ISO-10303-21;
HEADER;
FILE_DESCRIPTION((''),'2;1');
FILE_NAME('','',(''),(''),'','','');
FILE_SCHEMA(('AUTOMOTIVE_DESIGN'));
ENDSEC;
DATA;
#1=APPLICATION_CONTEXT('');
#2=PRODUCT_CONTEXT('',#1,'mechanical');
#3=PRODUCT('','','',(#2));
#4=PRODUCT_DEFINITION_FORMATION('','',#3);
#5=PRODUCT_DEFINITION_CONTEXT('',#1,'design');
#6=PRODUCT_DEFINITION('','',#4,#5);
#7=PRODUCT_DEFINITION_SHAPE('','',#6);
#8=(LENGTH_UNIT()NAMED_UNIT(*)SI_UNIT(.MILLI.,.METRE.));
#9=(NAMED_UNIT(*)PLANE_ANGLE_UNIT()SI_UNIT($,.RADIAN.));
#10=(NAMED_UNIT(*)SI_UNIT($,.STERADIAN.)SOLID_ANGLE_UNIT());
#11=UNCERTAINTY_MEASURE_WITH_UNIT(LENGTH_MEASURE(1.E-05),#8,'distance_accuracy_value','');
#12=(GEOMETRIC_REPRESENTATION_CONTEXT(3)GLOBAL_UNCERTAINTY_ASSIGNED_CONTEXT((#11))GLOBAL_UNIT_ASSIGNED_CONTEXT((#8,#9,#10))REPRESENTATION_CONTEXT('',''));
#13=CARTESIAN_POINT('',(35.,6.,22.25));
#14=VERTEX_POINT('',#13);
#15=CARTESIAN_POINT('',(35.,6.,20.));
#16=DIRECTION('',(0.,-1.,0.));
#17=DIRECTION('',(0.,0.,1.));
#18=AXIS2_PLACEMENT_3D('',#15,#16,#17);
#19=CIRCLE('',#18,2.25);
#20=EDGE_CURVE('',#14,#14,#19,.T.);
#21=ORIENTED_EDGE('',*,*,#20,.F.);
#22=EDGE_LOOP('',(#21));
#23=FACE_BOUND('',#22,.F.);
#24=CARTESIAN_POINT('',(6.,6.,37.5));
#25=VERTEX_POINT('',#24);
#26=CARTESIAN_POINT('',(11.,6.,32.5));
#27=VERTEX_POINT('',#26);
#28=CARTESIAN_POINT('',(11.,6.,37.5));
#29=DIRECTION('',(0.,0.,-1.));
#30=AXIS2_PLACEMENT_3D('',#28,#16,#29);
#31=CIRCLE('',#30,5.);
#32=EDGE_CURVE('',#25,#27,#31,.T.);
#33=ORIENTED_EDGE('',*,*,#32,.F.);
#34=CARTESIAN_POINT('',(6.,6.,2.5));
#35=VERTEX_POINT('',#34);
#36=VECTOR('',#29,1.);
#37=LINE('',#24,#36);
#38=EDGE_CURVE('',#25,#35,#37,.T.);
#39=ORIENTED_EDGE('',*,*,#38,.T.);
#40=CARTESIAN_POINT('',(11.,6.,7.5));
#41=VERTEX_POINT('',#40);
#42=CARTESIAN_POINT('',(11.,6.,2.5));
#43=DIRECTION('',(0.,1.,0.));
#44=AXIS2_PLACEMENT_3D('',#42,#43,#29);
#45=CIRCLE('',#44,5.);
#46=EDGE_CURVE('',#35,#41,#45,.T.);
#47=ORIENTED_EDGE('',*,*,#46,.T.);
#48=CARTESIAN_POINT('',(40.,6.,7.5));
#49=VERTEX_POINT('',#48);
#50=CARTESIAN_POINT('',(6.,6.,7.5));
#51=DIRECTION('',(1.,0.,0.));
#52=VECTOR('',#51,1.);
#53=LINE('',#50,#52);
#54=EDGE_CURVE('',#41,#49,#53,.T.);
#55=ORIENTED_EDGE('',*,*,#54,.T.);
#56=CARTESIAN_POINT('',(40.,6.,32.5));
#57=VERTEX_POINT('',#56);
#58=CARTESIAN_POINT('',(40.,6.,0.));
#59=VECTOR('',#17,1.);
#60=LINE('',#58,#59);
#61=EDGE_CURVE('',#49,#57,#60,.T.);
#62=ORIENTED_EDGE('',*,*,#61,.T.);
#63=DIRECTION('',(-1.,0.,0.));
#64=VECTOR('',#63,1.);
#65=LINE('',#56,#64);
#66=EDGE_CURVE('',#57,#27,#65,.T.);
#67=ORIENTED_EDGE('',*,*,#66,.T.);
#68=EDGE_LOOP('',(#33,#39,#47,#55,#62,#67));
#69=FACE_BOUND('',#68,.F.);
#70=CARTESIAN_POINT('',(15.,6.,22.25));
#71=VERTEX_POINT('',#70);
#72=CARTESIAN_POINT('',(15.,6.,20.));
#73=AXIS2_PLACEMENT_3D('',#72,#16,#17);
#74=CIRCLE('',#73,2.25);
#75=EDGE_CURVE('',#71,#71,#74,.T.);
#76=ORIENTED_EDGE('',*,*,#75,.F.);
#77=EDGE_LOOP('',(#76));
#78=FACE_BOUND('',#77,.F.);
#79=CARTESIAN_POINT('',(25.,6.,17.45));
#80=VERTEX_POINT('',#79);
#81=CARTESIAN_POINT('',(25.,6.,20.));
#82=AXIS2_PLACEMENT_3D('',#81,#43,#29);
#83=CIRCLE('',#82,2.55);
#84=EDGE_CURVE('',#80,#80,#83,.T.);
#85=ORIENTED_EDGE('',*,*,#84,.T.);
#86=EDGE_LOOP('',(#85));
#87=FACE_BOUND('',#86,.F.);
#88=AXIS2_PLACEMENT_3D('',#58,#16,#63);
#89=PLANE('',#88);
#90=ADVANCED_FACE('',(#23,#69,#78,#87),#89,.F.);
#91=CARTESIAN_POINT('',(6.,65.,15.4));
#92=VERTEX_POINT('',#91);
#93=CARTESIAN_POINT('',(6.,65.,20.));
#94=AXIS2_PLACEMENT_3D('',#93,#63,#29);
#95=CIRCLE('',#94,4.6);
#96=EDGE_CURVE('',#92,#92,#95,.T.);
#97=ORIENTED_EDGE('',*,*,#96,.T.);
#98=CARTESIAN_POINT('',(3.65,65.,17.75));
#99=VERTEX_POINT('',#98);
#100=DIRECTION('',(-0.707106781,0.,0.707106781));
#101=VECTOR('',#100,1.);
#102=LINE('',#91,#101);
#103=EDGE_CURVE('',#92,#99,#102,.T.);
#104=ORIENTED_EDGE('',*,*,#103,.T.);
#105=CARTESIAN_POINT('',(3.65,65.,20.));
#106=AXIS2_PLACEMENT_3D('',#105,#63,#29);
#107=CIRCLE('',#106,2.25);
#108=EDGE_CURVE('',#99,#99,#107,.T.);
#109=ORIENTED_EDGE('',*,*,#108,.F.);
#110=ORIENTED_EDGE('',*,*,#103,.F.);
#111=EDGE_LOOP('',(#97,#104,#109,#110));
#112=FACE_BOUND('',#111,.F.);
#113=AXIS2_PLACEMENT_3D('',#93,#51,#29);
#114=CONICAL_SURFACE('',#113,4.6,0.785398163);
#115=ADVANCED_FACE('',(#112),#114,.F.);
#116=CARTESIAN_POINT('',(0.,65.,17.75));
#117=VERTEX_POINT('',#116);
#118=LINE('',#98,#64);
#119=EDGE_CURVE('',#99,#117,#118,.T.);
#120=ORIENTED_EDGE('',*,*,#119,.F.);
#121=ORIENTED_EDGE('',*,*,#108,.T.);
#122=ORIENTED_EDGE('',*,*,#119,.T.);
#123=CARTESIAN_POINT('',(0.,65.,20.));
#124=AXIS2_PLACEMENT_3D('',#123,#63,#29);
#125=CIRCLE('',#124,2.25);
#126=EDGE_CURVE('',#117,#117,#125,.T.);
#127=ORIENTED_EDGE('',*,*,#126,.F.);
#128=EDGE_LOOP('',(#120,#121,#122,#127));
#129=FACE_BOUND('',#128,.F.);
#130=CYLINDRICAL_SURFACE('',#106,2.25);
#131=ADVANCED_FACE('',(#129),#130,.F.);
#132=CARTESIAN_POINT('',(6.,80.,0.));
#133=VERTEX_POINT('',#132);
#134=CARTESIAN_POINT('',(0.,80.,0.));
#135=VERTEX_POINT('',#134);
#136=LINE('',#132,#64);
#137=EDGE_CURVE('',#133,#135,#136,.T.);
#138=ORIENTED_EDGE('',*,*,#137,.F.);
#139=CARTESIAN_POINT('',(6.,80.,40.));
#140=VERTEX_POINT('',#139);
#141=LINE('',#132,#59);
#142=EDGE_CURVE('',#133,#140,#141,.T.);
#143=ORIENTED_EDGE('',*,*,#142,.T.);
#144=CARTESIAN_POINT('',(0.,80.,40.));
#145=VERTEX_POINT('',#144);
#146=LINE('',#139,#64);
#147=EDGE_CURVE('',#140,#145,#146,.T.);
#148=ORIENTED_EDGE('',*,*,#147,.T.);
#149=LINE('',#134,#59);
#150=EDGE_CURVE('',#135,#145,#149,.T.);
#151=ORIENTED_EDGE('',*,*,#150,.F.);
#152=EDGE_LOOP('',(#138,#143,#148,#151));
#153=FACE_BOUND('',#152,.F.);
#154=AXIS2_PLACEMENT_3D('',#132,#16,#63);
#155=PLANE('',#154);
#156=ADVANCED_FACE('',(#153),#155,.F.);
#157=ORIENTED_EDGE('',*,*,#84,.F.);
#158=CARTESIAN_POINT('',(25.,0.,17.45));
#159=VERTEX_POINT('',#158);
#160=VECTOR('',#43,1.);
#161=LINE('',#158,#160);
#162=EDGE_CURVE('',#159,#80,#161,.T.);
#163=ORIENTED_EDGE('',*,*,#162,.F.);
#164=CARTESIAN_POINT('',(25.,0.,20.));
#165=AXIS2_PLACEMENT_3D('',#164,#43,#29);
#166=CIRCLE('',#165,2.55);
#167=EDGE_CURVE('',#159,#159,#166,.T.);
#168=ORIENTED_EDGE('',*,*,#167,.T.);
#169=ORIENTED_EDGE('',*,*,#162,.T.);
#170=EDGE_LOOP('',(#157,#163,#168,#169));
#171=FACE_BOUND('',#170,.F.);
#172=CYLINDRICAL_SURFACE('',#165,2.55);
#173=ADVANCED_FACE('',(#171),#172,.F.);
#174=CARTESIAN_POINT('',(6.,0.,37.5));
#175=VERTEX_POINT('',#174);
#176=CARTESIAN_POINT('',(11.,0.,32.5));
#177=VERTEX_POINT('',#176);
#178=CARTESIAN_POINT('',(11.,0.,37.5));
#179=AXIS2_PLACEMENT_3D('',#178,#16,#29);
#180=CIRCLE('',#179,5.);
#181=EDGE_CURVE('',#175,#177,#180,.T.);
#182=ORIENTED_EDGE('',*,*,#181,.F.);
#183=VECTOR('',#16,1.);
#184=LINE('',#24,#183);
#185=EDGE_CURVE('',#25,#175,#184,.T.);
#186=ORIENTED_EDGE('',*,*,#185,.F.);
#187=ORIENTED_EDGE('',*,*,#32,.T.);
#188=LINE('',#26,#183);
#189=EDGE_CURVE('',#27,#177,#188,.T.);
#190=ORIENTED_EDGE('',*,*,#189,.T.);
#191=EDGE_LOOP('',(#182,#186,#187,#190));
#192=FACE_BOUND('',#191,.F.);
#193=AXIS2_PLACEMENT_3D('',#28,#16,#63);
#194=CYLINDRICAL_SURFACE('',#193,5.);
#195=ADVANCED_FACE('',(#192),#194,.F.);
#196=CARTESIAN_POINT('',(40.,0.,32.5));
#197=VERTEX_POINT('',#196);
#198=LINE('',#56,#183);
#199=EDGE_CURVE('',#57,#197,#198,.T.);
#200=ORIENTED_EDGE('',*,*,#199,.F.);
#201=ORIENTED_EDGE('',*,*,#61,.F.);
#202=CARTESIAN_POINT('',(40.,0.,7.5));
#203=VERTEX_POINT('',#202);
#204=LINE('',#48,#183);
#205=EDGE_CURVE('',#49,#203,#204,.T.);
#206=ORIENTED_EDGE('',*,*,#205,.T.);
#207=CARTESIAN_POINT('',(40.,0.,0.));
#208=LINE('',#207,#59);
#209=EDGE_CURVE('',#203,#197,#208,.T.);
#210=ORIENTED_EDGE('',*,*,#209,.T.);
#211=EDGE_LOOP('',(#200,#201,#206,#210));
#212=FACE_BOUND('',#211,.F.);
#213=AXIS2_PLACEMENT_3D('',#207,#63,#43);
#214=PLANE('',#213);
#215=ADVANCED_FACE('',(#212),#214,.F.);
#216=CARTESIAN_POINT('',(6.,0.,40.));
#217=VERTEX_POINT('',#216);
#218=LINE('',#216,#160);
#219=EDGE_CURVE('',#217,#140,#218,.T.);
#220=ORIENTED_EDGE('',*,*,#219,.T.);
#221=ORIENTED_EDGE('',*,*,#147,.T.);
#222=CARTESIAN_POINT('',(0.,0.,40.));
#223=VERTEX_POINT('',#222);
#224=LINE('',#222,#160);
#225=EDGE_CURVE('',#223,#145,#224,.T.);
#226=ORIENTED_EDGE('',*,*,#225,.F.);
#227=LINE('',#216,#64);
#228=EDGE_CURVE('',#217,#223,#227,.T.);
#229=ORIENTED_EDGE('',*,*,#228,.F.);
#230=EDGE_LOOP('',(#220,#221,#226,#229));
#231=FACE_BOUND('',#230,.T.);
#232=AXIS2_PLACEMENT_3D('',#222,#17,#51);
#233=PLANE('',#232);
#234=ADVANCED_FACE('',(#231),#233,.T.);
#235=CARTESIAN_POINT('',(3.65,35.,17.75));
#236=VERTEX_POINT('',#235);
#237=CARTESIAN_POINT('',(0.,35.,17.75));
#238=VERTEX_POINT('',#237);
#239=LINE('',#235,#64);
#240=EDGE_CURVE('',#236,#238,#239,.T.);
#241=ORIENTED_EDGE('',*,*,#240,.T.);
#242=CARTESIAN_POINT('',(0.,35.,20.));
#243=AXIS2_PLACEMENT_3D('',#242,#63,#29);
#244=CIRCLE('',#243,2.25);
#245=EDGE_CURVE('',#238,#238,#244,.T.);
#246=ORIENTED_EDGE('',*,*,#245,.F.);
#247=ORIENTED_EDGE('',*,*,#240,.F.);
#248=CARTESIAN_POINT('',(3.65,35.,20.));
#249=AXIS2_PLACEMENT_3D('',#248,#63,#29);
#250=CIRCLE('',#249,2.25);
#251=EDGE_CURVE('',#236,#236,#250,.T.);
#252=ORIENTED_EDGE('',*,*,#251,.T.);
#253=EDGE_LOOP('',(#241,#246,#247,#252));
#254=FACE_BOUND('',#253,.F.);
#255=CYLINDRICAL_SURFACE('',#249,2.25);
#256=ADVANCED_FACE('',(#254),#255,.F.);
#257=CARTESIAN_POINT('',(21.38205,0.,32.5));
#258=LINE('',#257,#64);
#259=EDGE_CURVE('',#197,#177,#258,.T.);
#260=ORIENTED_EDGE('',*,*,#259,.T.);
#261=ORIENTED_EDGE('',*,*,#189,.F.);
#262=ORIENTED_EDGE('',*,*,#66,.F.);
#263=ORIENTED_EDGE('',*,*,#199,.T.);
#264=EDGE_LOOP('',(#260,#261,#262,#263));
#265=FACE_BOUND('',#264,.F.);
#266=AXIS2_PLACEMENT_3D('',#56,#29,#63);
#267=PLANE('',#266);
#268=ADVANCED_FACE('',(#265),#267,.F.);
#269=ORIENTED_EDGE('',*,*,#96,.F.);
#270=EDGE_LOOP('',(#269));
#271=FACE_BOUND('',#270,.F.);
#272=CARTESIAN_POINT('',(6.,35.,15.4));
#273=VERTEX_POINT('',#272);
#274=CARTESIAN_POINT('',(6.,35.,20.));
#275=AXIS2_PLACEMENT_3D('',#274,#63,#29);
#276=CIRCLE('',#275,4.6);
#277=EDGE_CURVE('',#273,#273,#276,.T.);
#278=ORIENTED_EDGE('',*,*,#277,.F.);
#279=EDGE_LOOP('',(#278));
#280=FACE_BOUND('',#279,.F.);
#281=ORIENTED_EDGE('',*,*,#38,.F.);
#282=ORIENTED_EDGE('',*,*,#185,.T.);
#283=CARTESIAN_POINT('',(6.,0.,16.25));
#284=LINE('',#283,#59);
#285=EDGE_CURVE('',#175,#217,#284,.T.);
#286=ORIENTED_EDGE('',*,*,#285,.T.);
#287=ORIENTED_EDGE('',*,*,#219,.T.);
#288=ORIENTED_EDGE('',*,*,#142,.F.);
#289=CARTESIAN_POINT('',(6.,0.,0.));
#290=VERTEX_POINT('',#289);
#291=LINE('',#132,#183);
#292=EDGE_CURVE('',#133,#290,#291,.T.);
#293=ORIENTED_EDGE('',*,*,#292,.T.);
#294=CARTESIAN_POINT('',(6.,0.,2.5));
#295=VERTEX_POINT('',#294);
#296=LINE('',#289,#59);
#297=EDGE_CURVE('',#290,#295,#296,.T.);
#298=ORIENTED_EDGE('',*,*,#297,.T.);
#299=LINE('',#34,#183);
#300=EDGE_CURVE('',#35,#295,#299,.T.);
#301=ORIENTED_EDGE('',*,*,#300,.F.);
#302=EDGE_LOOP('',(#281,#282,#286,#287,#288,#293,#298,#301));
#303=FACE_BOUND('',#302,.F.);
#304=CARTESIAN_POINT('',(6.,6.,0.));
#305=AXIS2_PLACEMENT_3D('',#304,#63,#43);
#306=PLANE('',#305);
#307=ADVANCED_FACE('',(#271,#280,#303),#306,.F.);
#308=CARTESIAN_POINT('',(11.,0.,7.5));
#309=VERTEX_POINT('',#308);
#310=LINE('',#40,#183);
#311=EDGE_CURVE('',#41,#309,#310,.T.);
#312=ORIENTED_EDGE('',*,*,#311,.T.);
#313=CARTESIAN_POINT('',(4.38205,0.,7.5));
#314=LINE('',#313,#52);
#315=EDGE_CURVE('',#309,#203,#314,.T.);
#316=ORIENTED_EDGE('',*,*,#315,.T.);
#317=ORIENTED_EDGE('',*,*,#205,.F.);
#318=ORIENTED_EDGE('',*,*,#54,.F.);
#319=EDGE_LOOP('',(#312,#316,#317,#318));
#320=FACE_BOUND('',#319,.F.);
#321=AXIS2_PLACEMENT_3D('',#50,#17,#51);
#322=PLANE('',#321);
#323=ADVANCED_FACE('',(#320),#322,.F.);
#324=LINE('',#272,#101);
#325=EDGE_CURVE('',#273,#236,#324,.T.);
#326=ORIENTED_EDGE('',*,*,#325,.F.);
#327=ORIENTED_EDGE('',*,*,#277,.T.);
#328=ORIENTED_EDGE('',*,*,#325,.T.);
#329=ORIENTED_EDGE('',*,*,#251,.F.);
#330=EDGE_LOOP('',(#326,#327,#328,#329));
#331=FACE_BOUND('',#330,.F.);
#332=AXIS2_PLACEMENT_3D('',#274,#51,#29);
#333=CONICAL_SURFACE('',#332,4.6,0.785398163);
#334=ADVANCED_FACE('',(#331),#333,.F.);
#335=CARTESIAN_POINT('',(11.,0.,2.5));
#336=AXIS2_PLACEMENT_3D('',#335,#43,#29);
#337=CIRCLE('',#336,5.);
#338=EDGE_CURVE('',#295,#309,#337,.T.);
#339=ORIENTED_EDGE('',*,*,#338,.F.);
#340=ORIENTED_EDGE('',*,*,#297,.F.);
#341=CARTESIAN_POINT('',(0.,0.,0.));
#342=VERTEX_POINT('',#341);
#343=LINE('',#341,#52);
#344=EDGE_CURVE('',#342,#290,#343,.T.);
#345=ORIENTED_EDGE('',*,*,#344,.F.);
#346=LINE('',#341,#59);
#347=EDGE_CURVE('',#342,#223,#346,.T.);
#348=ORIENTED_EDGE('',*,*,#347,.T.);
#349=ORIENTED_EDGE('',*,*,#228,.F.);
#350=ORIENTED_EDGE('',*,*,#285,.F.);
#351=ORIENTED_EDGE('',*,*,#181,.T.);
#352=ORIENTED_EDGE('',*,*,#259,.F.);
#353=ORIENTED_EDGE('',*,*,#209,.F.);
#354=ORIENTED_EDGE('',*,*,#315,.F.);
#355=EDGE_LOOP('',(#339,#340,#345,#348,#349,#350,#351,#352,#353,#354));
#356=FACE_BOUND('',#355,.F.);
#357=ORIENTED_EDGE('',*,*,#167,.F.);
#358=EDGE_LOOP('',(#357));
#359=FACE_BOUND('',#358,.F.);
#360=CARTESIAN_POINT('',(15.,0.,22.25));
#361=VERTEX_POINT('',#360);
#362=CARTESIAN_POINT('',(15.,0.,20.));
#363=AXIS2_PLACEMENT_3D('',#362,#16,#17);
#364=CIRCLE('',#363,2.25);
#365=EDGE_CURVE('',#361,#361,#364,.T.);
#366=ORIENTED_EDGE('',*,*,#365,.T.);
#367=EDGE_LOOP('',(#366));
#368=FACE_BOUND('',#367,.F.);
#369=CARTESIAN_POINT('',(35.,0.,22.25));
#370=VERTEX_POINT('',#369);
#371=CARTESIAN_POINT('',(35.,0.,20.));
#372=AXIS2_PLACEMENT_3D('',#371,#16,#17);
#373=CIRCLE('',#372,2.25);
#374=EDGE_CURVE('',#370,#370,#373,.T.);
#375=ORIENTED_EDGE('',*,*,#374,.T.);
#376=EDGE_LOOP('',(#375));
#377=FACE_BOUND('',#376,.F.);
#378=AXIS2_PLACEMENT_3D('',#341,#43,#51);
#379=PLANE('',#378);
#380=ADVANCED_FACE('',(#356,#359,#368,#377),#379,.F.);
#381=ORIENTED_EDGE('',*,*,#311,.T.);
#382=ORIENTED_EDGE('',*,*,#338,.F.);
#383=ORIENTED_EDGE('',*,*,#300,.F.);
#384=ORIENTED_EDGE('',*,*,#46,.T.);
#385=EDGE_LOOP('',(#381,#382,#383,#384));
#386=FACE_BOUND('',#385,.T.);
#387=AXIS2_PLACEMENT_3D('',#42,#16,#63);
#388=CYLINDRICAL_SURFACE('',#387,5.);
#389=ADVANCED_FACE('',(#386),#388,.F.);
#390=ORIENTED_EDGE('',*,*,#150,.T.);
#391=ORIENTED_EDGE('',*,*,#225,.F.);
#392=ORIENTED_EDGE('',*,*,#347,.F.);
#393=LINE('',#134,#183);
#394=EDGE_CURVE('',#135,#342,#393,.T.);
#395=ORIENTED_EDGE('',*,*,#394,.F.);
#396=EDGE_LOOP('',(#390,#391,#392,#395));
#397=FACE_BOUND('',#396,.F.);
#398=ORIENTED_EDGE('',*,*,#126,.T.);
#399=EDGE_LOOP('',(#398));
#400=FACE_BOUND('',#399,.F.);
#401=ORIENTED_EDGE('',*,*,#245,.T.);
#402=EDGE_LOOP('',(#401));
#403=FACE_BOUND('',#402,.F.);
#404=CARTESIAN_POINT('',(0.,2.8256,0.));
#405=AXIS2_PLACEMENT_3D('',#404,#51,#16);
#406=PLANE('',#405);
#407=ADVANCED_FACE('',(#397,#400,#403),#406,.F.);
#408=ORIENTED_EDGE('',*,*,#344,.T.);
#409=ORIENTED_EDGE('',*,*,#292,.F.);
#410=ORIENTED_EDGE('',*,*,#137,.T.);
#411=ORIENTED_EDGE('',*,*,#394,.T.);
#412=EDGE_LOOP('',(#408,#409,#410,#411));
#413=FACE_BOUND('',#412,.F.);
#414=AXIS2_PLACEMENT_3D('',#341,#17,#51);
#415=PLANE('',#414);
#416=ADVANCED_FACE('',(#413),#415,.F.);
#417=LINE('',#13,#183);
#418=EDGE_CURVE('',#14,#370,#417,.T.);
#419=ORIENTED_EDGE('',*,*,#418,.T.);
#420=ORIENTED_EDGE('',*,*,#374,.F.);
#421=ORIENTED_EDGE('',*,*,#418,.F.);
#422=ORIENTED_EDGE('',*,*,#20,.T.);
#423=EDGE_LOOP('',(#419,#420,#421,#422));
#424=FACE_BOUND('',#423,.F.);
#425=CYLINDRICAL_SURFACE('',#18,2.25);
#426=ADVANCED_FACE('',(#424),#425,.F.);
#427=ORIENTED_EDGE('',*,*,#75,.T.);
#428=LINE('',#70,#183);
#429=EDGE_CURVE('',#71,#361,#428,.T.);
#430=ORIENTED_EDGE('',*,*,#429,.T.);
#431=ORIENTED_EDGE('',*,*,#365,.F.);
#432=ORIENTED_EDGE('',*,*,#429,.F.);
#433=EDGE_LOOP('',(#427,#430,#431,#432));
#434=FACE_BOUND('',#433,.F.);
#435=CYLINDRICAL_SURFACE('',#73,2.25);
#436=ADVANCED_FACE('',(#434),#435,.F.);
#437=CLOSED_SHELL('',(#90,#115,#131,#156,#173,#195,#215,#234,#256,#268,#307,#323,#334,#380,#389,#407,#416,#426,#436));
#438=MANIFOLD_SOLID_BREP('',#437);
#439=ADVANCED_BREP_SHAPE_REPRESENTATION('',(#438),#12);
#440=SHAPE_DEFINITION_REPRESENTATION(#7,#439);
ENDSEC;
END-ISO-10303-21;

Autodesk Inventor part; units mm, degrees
ref_plane "YZ Plane" through (0, 0, 0) normal (1, 0, 0) x (0, 1, 0)
ref_plane "XZ Plane" through (0, 0, 0) normal (0, 1, 0) x (-1, 0, 0)
ref_plane "XY Plane" through (0, 0, 0) normal (0, 0, 1) x (1, 0, 0)
sketch "Skizze1" plane through (0, 0, 0) normal (0, 0, 1) x (1, 0, 0)
  line L0 (0, 0) -> (2.7641, 0)
  line L1 (6, 6) -> (6, 80)
  line L2 (6, 80) -> (0, 80)
  line L3 (0, 80) -> (0, 0)
  line L4 (-8, 0) -> (48, 0) projected
  line L5 (0, -16) -> (0, 96) projected
  line L6 (0, 0) -> (40, 0)
  line L7 (40, 0) -> (40, 6)
  line L8 (40, 6) -> (6, 6)
  line L9 (0, 2.8256) -> (0, 0)
  dimension "d0" = 80
  dimension "d1" = 40
  dimension "d2" = 6
extrude "Extrusion1" add sketch "Skizze1" along normal blind 40
sketch "Skizze2" plane through (6, 6, 0) normal (0, 1, 0) x (1, 0, 0)
  line L0 (34, 0) -> (34, -40) projected
  line L1 (0, 0) -> (0, -40) projected
  line L2 (0, -20) -> (34, -20)
  line L3 (0, -7.5) -> (34, -7.5)
  line L4 (34, -7.5) -> (34, -32.5)
  line L5 (34, -32.5) -> (0, -32.5)
  line L6 (0, -32.5) -> (0, -7.5)
  line L7 (34, -7.5) -> (0, -7.5)
  line L8 (0, -7.5) -> (0, 0)
  line L9 (0, 0) -> (34, 0)
  line L10 (34, 0) -> (34, -7.5)
  line L11 (34, -40) -> (0, -40)
  line L12 (0, -40) -> (0, -32.5)
  line L13 (0, -32.5) -> (34, -32.5)
  line L14 (34, -32.5) -> (34, -40)
  point P0 (-6, 0)
  dimension "d5" = 25
extrude "Extrusion2" cut sketch "Skizze2" against normal through all contours L0 L3 L1 L9 | L0 L11 L1 L5
sketch "Skizze3" plane through (0, 0, 0) normal (-1, 0, 0) x (0, 0, 1)
  line L0 (0, 80) -> (40, 80) projected
  line L1 (0, 0) -> (40, 0) projected
  line L2 (20, 80) -> (20, 0)
  point P0 (20, 65)
  point P1 (20, 35)
  dimension "d8" = 15
  dimension "d9" = 30
hole "Bohrung1" at (0, 65, 20) at (0, 35, 20) direction (1, 0, 0) diameter 4 end through all
sketch "Skizze4" plane through (6, 6, 32.5) normal (0, 1, 0) x (1, 0, 0)
  line L0 (34, 25) -> (34, 0) projected
  line L1 (0, 25) -> (0, 0) projected
  line L2 (34, 12.5) -> (0, 12.5)
  point P0 (-6, 32.5)
  point P1 (29, 12.5)
  point P2 (9, 12.5)
  dimension "d17" = 20
  dimension "d59" = 5
hole "Bohrung2" at (35, 6, 20) at (15, 6, 20) direction (0, -1, 0) diameter 4.5 end through all
sketch "Skizze5" plane through (0, 0, 0) normal (0, -1, 0) x (1, 0, 0)
  circle A0 centre (15, 20) radius 2.25 projected
  circle A1 centre (35, 20) radius 2.25 projected
  line L0 (40, 32.5) -> (6, 32.5) projected
  line L1 (6, 32.5) -> (6, 7.5)
  line L2 (15, 20) -> (35, 20)
  line L3 (40, 7.5) -> (40, 32.5) projected
  line L4 (25, 20) -> (25, 16.5238)
  dimension "d60" = 10
  dimension "d61" = 10
hole "Bohrung4" at (25, 0, 20) direction (0, 1, 0) diameter 5.1 end through all
fillet "Rundung1" radius 5 2 edges at (6, 3, 7.5) (6, 3, 32.5)
sketch "Skizze7" plane through (6, 0, 0) normal (1, 0, 0) x (0, 0, -1)
  circle A0 centre (-20, 65) radius 2 projected
  circle A1 centre (-20, 35) radius 2 projected
hole "Bohrung7" at (6, 65, 20) at (6, 35, 20) direction (-1, 0, 0) diameter 4.5 end through all countersink diameter 9.2 countersink angle 90
properties part number "1_0204_006"
